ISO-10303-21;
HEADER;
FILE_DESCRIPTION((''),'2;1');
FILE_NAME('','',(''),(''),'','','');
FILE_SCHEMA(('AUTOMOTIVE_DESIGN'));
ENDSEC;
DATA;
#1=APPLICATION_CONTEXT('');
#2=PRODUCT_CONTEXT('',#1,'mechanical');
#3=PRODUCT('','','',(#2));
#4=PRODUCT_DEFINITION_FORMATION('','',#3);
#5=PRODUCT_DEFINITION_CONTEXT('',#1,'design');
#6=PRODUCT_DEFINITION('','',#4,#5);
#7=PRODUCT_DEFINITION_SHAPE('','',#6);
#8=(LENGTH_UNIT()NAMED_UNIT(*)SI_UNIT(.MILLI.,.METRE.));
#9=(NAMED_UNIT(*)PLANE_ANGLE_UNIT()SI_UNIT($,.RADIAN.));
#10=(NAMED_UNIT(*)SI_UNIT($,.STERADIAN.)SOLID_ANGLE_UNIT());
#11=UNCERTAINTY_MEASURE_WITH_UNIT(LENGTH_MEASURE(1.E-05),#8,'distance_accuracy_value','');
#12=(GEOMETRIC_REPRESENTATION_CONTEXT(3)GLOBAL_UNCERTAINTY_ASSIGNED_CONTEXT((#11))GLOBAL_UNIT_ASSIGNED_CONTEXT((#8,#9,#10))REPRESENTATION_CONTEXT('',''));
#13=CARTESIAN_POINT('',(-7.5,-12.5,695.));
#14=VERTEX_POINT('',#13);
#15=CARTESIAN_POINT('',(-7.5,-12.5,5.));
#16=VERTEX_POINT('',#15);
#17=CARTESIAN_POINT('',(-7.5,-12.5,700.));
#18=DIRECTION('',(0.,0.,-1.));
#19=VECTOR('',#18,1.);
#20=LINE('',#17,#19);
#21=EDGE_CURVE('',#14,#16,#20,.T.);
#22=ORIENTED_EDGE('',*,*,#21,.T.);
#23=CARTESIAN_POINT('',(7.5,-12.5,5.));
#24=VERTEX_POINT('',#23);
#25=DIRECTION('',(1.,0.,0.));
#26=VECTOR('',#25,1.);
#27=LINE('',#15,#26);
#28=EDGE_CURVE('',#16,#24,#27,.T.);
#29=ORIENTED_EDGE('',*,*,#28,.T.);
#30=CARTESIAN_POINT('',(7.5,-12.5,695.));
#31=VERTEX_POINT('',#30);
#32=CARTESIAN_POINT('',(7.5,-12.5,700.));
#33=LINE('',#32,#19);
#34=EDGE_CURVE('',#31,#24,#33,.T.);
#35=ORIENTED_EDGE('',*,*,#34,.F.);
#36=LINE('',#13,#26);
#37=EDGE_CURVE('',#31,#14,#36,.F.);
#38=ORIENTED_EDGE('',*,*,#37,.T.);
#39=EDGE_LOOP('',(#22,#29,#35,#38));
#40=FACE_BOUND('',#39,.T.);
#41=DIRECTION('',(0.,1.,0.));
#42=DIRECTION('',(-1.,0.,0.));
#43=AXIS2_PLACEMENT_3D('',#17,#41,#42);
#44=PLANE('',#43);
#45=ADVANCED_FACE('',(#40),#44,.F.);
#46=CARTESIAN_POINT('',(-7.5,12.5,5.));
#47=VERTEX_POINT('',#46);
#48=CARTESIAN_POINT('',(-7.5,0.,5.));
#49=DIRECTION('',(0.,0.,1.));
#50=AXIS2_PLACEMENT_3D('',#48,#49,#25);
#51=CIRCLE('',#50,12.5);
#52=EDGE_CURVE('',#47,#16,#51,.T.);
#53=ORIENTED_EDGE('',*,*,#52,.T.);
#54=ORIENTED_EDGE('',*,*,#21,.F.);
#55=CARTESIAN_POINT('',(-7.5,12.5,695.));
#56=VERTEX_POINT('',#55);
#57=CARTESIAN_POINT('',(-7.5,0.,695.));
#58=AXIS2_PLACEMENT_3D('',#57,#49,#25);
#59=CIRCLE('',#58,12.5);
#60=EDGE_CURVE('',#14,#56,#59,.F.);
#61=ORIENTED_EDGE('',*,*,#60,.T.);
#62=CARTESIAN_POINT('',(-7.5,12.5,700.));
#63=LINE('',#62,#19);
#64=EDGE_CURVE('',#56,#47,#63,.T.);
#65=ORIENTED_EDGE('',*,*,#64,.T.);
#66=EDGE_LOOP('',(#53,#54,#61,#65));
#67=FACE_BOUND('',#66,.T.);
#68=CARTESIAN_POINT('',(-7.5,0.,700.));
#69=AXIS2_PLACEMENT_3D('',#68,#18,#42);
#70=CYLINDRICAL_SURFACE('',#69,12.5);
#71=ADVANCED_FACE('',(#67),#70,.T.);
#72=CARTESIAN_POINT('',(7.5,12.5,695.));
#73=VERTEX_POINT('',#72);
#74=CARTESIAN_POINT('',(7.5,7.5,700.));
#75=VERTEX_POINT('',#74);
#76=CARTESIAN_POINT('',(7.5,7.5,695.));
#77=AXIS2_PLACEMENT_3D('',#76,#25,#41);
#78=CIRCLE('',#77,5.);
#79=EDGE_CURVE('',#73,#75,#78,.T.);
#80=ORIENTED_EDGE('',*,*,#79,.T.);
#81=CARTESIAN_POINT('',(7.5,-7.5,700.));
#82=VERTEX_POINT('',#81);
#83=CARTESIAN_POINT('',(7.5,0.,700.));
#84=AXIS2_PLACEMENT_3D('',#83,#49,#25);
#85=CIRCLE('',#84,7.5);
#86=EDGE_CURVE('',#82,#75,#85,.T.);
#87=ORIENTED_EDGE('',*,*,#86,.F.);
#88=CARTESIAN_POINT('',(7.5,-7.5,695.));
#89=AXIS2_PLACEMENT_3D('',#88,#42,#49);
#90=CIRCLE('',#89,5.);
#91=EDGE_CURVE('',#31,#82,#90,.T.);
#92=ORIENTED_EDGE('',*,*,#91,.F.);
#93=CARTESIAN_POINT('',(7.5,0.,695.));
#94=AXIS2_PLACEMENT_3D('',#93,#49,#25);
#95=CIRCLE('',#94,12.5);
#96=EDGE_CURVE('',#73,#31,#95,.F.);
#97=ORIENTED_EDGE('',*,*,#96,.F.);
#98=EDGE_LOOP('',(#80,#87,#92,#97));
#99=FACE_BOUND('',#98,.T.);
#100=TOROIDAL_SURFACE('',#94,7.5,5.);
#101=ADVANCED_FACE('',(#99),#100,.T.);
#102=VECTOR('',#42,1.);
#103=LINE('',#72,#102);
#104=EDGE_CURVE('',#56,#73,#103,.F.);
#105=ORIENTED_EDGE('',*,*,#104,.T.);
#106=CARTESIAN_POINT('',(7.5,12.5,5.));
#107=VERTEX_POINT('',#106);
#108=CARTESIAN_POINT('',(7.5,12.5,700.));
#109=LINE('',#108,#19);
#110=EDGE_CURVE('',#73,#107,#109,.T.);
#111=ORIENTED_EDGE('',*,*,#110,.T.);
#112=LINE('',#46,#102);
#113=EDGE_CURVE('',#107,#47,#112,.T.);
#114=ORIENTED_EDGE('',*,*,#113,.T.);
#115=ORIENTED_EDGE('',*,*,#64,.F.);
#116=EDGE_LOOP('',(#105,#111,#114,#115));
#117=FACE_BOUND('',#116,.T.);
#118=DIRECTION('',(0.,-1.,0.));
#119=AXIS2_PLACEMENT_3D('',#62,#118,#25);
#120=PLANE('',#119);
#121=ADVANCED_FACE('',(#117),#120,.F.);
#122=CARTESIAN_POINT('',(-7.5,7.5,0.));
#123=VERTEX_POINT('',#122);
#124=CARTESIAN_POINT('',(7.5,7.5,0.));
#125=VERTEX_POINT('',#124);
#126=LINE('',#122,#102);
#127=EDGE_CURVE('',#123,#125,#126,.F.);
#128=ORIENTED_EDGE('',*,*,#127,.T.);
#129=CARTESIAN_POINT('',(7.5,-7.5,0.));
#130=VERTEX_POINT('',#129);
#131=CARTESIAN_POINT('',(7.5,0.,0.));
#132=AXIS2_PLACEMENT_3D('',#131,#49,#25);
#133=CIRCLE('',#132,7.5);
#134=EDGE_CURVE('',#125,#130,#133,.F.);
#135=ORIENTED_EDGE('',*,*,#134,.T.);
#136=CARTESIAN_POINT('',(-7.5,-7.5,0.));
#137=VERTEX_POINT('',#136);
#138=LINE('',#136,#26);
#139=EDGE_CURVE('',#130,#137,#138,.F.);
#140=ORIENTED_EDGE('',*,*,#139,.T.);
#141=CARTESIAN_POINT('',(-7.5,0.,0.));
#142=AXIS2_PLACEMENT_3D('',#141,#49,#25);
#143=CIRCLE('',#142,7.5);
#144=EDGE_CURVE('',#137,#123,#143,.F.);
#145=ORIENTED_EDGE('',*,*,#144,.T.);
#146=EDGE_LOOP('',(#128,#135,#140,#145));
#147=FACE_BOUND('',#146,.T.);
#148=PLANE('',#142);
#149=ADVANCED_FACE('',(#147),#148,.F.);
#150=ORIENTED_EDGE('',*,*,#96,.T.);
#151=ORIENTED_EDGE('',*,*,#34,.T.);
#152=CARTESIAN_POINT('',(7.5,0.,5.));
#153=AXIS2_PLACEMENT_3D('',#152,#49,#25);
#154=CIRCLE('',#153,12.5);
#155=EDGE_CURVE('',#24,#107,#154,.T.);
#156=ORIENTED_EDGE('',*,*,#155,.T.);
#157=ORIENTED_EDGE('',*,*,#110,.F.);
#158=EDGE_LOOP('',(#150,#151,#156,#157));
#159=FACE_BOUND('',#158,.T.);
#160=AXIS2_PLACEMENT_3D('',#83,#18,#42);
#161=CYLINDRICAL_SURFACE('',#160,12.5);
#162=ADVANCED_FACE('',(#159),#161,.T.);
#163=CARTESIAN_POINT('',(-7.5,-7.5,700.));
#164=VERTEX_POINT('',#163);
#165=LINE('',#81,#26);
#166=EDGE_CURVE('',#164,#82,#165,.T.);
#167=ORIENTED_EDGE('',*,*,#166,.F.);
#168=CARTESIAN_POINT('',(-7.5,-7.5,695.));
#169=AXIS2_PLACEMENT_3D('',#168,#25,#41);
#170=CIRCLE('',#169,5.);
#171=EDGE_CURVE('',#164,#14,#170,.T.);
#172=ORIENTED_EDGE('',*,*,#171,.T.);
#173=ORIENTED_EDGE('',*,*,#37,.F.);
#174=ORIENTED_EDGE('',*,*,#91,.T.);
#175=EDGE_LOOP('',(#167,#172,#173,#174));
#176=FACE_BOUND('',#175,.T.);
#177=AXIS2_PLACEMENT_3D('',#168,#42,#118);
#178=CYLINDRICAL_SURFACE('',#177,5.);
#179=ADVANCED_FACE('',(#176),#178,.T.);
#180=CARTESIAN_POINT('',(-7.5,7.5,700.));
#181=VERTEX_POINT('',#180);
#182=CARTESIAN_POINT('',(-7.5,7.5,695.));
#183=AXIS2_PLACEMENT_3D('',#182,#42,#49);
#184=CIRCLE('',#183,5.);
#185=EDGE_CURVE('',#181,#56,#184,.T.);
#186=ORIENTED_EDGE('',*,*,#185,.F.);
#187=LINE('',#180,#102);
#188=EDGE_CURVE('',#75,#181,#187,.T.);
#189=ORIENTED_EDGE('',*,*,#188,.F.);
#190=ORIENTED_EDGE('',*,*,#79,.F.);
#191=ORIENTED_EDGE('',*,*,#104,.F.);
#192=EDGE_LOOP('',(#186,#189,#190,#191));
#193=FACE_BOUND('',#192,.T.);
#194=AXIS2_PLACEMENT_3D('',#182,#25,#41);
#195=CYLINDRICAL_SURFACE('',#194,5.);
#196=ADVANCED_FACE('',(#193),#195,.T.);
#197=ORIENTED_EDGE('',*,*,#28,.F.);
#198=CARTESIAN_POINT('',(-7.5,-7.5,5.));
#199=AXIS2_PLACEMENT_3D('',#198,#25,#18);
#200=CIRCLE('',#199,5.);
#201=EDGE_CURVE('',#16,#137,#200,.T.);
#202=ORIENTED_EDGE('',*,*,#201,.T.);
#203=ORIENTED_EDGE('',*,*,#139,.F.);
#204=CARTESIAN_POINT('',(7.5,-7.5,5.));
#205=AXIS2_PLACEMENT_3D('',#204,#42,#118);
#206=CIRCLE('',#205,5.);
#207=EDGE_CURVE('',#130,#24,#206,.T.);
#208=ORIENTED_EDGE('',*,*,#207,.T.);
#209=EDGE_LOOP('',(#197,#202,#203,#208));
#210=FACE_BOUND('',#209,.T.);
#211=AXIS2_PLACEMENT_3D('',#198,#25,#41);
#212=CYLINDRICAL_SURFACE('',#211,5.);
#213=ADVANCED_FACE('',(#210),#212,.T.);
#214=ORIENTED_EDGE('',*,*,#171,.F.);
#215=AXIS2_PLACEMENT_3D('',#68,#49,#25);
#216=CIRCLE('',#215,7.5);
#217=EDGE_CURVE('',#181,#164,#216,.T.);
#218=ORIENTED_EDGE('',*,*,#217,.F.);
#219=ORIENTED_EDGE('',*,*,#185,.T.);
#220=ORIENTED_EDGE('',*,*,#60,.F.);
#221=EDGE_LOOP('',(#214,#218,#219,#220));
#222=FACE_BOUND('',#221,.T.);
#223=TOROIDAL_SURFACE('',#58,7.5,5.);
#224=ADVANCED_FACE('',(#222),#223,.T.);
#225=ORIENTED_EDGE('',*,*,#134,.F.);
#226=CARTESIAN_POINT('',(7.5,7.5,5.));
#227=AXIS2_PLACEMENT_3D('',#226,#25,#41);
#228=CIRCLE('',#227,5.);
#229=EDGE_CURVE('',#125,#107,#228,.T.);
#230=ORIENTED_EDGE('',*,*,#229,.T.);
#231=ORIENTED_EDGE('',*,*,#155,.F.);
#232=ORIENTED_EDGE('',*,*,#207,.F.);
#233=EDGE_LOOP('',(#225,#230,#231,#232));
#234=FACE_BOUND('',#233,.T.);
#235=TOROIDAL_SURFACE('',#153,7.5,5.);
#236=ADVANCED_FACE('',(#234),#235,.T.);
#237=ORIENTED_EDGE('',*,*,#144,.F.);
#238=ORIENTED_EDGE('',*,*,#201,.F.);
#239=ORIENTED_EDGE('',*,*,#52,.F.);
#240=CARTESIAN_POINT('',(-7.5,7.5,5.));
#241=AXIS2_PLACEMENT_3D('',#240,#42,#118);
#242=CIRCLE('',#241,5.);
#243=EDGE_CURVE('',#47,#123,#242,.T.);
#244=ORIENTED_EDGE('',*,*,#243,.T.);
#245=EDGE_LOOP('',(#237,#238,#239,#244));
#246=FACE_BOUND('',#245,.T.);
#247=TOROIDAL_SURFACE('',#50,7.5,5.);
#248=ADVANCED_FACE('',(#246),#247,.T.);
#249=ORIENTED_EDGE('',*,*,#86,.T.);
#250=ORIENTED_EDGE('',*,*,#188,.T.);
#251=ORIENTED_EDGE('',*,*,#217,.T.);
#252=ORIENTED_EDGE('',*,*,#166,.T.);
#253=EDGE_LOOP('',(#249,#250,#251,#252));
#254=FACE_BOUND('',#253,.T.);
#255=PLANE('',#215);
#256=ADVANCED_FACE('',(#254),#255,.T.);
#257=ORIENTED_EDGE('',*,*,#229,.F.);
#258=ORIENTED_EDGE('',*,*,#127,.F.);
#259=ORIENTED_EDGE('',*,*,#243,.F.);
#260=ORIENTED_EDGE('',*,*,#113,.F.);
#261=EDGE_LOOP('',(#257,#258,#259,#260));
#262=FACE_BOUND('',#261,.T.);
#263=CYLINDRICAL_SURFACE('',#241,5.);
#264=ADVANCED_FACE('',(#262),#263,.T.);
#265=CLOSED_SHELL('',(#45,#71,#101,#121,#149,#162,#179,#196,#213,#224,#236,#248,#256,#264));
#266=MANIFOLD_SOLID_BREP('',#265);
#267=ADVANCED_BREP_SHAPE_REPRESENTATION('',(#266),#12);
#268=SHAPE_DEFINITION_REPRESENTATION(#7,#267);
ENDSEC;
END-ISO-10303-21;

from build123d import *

# Parameters (mm, degrees)
EXTRUDE_1_DEPTH = 700
FILLET_1_R      = 5


with BuildPart() as part:
    # 草圖1 → 填料-伸長1 (new body)
    with BuildSketch(Plane.XY):
        with BuildLine():
            Line((-7.5, 12.5), (7.5, 12.5))
            ThreePointArc((7.5, 12.5), (20, 0), (7.5, -12.5))
            Line((7.5, -12.5), (-7.5, -12.5))
            ThreePointArc((-7.5, -12.5), (-20, 0), (-7.5, 12.5))
        make_face()
    extrude(amount=EXTRUDE_1_DEPTH)

    # 圓角1
    fillet_1_edges = [part.edges().sort_by_distance(p)[0] for p in [
        (20, 0, 700),
        (0, 12.5, 700),
        (-20, 0, 700),
        (0, 12.5, 0),
        (20, 0, 0),
        (0, -12.5, 0),
        (-20, 0, 0),
        (0, -12.5, 700),
    ]]
    fillet(fillet_1_edges, radius=FILLET_1_R)


solid = part.part
